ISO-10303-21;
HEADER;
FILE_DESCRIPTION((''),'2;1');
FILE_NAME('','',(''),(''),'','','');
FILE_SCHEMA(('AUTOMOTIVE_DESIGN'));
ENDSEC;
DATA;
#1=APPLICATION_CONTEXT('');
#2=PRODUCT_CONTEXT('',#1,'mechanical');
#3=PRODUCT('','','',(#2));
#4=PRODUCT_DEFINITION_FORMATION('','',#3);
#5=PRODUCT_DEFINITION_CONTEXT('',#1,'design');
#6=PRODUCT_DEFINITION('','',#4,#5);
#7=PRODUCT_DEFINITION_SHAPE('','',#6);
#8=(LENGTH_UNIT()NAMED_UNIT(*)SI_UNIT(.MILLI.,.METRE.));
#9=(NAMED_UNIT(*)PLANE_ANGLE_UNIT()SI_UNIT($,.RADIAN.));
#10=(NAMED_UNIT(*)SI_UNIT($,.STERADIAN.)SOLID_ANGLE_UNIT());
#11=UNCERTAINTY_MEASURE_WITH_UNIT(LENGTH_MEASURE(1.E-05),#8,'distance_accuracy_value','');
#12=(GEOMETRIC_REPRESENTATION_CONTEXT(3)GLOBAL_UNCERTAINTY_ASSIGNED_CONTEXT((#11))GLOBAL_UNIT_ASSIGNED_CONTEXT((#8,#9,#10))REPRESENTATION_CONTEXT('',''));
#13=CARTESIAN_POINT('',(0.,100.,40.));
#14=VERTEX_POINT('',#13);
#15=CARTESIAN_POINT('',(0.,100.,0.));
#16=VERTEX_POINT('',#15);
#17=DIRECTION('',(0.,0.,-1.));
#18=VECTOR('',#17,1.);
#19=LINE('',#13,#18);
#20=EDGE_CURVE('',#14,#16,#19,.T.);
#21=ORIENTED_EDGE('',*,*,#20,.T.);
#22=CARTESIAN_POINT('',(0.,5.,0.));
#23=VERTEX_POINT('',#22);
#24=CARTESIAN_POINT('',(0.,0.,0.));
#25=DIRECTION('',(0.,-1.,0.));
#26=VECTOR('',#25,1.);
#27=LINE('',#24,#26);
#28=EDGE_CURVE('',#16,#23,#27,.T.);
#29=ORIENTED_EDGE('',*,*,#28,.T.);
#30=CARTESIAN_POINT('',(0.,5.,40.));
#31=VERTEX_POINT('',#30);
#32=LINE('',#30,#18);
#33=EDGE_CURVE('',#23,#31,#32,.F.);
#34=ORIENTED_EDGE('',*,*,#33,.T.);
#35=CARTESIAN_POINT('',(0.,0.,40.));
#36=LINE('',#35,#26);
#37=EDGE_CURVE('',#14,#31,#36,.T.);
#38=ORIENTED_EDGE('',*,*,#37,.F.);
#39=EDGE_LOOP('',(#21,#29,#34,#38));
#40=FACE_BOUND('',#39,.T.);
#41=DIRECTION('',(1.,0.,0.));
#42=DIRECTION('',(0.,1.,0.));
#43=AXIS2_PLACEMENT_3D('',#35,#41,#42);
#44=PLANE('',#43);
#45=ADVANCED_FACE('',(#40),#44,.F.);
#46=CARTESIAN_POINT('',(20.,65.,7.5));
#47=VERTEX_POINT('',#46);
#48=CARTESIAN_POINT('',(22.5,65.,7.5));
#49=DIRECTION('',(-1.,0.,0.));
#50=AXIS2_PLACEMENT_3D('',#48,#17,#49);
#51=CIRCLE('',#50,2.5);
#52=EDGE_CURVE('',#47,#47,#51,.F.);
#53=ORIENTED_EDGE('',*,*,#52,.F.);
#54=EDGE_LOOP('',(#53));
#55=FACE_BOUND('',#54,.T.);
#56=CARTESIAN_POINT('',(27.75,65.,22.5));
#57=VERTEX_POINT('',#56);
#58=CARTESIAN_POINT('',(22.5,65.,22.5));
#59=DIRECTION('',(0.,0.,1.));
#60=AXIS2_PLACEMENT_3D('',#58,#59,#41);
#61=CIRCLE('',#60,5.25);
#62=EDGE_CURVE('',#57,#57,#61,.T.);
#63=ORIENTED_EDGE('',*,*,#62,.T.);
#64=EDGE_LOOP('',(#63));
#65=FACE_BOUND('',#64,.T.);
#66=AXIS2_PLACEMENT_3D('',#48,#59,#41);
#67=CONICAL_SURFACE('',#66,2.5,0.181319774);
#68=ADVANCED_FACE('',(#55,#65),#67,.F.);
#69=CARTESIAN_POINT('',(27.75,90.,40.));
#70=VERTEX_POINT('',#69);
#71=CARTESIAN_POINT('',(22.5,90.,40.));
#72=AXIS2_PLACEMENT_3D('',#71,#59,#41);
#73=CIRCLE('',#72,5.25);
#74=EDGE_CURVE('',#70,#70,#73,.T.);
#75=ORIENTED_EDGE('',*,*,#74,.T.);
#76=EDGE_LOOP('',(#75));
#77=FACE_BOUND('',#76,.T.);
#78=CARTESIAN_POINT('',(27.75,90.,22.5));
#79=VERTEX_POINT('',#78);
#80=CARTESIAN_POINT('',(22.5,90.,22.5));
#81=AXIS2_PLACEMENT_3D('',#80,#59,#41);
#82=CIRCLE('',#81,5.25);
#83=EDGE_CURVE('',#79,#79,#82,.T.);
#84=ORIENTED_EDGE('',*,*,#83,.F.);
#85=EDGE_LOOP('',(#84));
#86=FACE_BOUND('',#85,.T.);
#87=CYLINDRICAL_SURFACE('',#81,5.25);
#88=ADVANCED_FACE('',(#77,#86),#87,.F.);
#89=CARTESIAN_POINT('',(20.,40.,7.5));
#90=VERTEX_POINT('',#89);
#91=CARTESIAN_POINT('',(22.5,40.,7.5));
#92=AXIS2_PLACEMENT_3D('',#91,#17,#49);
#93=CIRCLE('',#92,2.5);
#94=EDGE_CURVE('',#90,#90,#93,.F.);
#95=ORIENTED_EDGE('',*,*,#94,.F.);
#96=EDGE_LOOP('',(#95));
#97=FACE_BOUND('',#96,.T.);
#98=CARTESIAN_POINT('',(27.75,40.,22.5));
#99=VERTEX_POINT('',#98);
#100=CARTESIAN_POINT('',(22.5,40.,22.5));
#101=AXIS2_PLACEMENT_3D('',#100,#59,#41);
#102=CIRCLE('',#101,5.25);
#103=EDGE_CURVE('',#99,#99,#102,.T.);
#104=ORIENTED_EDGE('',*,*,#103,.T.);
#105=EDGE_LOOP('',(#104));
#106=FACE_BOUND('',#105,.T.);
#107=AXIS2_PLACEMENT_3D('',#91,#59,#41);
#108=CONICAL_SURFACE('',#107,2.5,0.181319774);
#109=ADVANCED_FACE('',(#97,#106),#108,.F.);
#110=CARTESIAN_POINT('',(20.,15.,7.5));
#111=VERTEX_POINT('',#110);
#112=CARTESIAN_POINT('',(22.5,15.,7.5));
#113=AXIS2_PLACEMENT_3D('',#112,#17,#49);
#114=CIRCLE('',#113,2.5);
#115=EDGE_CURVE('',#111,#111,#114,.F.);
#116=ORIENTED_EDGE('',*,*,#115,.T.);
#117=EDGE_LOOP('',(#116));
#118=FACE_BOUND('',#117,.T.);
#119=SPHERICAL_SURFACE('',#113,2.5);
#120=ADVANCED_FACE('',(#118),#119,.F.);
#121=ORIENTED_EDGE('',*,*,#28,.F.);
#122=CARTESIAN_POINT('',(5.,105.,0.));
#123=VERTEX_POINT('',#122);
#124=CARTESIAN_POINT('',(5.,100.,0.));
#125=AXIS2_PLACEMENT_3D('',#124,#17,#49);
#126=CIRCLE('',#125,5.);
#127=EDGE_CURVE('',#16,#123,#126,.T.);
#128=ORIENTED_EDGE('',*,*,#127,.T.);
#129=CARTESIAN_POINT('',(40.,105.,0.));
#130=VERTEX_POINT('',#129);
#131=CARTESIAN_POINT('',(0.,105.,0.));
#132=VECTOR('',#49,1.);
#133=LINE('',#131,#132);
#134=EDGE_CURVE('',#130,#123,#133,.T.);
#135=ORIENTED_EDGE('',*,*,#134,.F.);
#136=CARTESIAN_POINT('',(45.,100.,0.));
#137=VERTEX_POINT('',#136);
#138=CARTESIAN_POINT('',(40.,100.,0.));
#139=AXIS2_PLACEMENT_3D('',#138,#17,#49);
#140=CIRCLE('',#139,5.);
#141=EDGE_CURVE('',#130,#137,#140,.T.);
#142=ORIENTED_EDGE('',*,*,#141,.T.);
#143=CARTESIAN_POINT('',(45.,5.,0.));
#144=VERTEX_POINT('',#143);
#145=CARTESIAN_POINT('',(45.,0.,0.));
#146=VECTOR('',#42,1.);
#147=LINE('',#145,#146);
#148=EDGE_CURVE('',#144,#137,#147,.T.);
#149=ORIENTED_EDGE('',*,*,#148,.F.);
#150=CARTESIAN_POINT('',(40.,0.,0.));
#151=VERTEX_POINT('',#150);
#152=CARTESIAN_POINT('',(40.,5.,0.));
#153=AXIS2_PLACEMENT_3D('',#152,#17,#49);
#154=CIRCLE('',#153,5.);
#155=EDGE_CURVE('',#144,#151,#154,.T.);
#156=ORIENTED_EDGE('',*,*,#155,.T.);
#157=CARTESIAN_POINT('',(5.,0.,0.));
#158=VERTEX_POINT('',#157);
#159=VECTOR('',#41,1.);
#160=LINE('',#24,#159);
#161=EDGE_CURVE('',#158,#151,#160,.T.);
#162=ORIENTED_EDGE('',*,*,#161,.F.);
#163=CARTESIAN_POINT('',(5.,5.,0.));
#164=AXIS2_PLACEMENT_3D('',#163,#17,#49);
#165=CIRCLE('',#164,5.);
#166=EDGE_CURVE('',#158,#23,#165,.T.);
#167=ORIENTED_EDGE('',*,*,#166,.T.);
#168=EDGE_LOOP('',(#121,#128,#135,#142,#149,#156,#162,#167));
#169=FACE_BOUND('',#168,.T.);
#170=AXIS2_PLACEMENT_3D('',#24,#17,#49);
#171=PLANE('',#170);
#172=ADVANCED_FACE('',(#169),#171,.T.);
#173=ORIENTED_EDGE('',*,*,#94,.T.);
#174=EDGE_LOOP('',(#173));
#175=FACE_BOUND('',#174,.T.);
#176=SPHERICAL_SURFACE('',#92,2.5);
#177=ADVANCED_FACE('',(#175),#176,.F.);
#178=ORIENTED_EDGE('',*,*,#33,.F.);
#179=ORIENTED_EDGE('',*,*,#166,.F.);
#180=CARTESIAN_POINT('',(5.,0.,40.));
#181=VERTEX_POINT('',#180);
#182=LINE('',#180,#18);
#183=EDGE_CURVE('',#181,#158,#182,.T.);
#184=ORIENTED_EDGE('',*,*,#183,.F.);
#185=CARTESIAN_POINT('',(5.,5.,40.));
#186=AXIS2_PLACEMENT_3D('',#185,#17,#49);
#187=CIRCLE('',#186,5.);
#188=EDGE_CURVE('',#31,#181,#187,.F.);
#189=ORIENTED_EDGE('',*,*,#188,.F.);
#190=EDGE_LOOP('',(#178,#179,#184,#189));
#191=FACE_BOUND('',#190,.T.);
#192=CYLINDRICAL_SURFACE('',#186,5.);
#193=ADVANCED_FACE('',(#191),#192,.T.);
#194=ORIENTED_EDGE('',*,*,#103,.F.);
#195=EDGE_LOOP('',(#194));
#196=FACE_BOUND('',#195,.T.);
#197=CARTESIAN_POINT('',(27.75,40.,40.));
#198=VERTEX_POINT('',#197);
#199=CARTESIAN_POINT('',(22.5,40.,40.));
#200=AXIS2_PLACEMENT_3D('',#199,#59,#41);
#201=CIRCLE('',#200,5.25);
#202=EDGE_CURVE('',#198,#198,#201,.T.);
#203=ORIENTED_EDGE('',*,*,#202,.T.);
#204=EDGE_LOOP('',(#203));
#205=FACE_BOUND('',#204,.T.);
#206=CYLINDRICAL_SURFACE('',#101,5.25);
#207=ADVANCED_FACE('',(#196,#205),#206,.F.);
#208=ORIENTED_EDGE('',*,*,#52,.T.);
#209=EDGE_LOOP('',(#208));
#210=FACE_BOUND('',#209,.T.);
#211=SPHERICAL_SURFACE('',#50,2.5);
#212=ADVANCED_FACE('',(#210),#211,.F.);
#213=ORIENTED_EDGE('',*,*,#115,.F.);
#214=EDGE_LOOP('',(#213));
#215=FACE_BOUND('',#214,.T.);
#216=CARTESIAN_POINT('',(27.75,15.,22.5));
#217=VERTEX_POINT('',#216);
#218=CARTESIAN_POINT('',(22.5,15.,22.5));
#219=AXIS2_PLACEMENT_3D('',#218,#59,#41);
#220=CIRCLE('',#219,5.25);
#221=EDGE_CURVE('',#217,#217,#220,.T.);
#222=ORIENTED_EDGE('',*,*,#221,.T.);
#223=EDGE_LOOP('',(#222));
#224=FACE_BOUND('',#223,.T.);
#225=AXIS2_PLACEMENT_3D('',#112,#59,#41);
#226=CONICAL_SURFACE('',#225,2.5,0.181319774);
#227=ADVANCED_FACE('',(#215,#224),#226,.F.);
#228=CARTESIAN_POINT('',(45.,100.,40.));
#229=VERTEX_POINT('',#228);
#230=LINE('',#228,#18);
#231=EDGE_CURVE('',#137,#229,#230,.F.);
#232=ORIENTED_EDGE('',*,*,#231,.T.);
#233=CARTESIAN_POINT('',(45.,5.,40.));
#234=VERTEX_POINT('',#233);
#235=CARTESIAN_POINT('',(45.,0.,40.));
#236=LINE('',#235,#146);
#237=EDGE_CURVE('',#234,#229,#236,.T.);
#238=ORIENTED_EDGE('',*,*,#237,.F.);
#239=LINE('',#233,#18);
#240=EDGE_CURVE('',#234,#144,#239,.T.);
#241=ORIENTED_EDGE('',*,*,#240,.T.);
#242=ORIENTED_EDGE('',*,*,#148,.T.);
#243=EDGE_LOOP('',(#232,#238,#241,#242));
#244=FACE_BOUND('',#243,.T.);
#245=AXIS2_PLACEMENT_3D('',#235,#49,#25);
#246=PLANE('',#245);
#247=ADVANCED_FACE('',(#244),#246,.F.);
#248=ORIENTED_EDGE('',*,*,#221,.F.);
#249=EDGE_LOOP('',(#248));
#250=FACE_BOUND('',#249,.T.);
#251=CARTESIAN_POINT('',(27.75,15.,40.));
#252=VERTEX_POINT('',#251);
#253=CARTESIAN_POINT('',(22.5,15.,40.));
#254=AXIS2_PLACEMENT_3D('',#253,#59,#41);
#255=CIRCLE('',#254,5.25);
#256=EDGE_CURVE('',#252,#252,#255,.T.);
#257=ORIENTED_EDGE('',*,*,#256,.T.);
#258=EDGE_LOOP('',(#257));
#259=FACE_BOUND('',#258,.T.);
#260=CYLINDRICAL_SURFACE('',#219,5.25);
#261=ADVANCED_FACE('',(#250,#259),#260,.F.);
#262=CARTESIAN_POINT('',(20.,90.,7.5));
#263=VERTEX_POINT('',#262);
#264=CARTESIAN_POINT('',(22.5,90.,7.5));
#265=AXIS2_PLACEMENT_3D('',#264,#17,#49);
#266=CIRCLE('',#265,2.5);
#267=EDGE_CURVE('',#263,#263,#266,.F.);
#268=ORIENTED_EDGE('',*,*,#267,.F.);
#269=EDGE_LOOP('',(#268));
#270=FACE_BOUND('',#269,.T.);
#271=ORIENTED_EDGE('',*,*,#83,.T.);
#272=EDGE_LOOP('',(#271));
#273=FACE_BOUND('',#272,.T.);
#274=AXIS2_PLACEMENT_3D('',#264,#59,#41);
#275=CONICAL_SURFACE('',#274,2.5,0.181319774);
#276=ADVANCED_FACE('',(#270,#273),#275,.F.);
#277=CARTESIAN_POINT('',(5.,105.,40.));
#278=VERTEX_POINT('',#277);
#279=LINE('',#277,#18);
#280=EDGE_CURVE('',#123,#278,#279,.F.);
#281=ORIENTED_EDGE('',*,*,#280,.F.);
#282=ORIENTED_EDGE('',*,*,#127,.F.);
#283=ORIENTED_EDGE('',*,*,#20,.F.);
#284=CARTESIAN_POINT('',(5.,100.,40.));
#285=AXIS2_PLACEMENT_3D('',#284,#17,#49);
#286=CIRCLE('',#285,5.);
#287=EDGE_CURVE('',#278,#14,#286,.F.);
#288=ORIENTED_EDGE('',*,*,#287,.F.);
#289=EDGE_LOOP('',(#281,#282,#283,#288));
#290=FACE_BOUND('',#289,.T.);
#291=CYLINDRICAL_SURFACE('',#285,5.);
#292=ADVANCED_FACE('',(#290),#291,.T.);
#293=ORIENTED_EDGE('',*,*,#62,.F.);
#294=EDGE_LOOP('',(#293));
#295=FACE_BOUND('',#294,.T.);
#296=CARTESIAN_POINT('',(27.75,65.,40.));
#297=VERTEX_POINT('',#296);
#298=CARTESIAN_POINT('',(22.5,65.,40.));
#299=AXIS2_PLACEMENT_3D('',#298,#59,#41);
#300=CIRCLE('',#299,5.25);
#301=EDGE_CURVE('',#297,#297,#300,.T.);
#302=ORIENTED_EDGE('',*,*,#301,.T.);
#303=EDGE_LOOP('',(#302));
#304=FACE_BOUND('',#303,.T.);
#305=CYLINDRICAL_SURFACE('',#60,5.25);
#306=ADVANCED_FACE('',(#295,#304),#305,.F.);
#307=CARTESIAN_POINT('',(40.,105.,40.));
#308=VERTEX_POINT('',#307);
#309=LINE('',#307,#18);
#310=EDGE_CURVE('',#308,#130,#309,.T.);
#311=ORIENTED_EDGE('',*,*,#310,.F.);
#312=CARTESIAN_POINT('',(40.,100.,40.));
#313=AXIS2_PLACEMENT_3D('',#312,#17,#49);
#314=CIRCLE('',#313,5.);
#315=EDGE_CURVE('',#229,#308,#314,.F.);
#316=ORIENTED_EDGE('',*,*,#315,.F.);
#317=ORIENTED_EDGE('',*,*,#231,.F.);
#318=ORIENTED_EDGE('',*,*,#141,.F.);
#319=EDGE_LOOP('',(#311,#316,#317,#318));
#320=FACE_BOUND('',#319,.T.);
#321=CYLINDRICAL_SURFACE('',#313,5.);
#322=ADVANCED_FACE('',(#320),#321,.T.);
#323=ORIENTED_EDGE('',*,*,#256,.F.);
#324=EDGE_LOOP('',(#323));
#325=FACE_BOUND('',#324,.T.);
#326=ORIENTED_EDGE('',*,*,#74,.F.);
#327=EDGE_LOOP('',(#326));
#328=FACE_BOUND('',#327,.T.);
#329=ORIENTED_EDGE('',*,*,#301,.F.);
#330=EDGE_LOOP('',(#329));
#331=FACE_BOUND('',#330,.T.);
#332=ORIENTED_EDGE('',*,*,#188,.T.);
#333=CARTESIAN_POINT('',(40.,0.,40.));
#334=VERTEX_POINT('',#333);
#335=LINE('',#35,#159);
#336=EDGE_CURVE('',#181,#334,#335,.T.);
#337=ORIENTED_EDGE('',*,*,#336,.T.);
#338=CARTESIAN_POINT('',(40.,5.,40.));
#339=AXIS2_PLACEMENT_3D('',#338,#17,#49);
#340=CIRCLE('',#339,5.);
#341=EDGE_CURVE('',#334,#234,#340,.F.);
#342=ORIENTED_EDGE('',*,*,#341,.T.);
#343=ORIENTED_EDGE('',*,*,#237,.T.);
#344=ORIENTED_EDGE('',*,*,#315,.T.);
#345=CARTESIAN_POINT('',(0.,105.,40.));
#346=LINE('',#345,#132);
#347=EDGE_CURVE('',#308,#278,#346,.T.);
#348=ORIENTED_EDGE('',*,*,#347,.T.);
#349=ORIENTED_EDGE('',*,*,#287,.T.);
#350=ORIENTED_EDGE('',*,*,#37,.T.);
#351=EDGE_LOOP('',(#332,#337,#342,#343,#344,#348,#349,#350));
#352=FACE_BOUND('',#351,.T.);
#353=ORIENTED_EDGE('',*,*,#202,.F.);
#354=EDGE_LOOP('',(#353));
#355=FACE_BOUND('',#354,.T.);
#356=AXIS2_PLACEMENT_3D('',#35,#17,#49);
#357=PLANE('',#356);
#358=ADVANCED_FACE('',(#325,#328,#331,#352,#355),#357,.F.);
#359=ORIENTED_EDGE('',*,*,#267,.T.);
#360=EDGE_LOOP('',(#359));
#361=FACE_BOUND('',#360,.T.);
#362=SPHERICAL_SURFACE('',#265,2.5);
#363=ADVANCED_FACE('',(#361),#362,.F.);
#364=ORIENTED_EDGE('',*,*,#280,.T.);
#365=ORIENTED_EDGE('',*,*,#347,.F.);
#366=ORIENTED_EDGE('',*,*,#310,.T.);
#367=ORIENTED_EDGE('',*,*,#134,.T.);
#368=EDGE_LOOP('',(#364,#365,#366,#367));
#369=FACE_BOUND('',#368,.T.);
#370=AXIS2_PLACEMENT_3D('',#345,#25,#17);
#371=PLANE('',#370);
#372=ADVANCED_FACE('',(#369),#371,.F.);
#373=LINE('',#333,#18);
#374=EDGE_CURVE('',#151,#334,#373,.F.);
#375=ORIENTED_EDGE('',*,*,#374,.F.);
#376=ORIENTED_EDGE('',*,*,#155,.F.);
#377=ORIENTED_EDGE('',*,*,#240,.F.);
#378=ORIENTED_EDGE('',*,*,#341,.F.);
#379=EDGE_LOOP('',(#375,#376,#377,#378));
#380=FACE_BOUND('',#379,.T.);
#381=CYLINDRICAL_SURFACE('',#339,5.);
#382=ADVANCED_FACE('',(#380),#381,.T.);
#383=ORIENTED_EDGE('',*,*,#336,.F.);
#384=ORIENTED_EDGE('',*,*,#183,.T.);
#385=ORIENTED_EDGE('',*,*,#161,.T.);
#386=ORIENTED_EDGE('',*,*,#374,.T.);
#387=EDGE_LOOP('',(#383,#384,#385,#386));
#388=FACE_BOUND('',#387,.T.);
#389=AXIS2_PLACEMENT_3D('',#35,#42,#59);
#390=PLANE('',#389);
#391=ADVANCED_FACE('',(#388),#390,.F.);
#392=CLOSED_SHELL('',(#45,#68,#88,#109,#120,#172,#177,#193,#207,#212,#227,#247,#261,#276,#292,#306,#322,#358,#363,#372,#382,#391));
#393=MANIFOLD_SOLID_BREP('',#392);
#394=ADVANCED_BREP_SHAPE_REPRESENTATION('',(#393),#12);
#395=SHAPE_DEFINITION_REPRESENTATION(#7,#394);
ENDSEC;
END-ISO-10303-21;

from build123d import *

# Parameters (mm, degrees)
SKETCH1_W           = 45
SKETCH1_H           = 105
BOSS_EXTRUDE1_DEPTH = 40
SKETCH2_R           = 5.25
CUT_EXTRUDE1_DEPTH  = 17.5
SKETCH7_R           = 2.5
SKETCH6_R           = 5.25
LPATTERN1_COUNT     = 4
LPATTERN1_PITCH     = 25
FILLET1_R           = 5


with BuildPart() as part:
    # Sketch1 → Boss-Extrude1 (new body)
    with BuildSketch(Plane.XY):
        with Locations((22.5, 52.5)):
            Rectangle(SKETCH1_W, SKETCH1_H)
    extrude(amount=BOSS_EXTRUDE1_DEPTH)

    # Sketch2 → Cut-Extrude1 (cut)
    with BuildSketch(Plane.XY.offset(40)):
        with Locations((22.5, 90)):
            Circle(SKETCH2_R)
    cut_extrude1 = extrude(amount=-CUT_EXTRUDE1_DEPTH, mode=Mode.SUBTRACT)

    # Sketch7 → Cut-Loft1 section 0
    with BuildSketch(Plane.XY.offset(7.5)):
        with Locations((22.5, 90)):
            Circle(SKETCH7_R)
    # Sketch6 → Cut-Loft1 section 1
    with BuildSketch(Plane.XY.offset(22.5)):
        with Locations((22.5, 90)):
            Circle(SKETCH6_R)
    cut_loft1 = loft(mode=Mode.SUBTRACT)

    # Sketch8 → Cut-Revolve1 (revolve, cut)
    with BuildSketch(Plane.XY.offset(7.5)):
        with BuildLine():
            Line((22.5, 92.5), (22.5, 87.5))
            ThreePointArc((22.5, 87.5), (20, 90), (22.5, 92.5))
        make_face()
    cut_revolve1 = revolve(axis=Axis((22.5, 105, 7.5), (0, 1, 0)), mode=Mode.SUBTRACT)

    # LPattern1: Cut-Extrude1, Cut-Loft1, Cut-Revolve1 ×4
    with Locations(*[(0, -i * LPATTERN1_PITCH, 0) for i in range(1, LPATTERN1_COUNT)]):
        add(cut_extrude1, mode=Mode.SUBTRACT)
        add(cut_loft1, mode=Mode.SUBTRACT)
        add(cut_revolve1, mode=Mode.SUBTRACT)

    # Fillet1
    fillet1_edges = [part.edges().sort_by_distance(p)[0] for p in [
        (0, 105, 20),
        (45, 105, 20),
        (45, 0, 20),
        (0, 0, 20),
    ]]
    fillet(fillet1_edges, radius=FILLET1_R)


solid = part.part
